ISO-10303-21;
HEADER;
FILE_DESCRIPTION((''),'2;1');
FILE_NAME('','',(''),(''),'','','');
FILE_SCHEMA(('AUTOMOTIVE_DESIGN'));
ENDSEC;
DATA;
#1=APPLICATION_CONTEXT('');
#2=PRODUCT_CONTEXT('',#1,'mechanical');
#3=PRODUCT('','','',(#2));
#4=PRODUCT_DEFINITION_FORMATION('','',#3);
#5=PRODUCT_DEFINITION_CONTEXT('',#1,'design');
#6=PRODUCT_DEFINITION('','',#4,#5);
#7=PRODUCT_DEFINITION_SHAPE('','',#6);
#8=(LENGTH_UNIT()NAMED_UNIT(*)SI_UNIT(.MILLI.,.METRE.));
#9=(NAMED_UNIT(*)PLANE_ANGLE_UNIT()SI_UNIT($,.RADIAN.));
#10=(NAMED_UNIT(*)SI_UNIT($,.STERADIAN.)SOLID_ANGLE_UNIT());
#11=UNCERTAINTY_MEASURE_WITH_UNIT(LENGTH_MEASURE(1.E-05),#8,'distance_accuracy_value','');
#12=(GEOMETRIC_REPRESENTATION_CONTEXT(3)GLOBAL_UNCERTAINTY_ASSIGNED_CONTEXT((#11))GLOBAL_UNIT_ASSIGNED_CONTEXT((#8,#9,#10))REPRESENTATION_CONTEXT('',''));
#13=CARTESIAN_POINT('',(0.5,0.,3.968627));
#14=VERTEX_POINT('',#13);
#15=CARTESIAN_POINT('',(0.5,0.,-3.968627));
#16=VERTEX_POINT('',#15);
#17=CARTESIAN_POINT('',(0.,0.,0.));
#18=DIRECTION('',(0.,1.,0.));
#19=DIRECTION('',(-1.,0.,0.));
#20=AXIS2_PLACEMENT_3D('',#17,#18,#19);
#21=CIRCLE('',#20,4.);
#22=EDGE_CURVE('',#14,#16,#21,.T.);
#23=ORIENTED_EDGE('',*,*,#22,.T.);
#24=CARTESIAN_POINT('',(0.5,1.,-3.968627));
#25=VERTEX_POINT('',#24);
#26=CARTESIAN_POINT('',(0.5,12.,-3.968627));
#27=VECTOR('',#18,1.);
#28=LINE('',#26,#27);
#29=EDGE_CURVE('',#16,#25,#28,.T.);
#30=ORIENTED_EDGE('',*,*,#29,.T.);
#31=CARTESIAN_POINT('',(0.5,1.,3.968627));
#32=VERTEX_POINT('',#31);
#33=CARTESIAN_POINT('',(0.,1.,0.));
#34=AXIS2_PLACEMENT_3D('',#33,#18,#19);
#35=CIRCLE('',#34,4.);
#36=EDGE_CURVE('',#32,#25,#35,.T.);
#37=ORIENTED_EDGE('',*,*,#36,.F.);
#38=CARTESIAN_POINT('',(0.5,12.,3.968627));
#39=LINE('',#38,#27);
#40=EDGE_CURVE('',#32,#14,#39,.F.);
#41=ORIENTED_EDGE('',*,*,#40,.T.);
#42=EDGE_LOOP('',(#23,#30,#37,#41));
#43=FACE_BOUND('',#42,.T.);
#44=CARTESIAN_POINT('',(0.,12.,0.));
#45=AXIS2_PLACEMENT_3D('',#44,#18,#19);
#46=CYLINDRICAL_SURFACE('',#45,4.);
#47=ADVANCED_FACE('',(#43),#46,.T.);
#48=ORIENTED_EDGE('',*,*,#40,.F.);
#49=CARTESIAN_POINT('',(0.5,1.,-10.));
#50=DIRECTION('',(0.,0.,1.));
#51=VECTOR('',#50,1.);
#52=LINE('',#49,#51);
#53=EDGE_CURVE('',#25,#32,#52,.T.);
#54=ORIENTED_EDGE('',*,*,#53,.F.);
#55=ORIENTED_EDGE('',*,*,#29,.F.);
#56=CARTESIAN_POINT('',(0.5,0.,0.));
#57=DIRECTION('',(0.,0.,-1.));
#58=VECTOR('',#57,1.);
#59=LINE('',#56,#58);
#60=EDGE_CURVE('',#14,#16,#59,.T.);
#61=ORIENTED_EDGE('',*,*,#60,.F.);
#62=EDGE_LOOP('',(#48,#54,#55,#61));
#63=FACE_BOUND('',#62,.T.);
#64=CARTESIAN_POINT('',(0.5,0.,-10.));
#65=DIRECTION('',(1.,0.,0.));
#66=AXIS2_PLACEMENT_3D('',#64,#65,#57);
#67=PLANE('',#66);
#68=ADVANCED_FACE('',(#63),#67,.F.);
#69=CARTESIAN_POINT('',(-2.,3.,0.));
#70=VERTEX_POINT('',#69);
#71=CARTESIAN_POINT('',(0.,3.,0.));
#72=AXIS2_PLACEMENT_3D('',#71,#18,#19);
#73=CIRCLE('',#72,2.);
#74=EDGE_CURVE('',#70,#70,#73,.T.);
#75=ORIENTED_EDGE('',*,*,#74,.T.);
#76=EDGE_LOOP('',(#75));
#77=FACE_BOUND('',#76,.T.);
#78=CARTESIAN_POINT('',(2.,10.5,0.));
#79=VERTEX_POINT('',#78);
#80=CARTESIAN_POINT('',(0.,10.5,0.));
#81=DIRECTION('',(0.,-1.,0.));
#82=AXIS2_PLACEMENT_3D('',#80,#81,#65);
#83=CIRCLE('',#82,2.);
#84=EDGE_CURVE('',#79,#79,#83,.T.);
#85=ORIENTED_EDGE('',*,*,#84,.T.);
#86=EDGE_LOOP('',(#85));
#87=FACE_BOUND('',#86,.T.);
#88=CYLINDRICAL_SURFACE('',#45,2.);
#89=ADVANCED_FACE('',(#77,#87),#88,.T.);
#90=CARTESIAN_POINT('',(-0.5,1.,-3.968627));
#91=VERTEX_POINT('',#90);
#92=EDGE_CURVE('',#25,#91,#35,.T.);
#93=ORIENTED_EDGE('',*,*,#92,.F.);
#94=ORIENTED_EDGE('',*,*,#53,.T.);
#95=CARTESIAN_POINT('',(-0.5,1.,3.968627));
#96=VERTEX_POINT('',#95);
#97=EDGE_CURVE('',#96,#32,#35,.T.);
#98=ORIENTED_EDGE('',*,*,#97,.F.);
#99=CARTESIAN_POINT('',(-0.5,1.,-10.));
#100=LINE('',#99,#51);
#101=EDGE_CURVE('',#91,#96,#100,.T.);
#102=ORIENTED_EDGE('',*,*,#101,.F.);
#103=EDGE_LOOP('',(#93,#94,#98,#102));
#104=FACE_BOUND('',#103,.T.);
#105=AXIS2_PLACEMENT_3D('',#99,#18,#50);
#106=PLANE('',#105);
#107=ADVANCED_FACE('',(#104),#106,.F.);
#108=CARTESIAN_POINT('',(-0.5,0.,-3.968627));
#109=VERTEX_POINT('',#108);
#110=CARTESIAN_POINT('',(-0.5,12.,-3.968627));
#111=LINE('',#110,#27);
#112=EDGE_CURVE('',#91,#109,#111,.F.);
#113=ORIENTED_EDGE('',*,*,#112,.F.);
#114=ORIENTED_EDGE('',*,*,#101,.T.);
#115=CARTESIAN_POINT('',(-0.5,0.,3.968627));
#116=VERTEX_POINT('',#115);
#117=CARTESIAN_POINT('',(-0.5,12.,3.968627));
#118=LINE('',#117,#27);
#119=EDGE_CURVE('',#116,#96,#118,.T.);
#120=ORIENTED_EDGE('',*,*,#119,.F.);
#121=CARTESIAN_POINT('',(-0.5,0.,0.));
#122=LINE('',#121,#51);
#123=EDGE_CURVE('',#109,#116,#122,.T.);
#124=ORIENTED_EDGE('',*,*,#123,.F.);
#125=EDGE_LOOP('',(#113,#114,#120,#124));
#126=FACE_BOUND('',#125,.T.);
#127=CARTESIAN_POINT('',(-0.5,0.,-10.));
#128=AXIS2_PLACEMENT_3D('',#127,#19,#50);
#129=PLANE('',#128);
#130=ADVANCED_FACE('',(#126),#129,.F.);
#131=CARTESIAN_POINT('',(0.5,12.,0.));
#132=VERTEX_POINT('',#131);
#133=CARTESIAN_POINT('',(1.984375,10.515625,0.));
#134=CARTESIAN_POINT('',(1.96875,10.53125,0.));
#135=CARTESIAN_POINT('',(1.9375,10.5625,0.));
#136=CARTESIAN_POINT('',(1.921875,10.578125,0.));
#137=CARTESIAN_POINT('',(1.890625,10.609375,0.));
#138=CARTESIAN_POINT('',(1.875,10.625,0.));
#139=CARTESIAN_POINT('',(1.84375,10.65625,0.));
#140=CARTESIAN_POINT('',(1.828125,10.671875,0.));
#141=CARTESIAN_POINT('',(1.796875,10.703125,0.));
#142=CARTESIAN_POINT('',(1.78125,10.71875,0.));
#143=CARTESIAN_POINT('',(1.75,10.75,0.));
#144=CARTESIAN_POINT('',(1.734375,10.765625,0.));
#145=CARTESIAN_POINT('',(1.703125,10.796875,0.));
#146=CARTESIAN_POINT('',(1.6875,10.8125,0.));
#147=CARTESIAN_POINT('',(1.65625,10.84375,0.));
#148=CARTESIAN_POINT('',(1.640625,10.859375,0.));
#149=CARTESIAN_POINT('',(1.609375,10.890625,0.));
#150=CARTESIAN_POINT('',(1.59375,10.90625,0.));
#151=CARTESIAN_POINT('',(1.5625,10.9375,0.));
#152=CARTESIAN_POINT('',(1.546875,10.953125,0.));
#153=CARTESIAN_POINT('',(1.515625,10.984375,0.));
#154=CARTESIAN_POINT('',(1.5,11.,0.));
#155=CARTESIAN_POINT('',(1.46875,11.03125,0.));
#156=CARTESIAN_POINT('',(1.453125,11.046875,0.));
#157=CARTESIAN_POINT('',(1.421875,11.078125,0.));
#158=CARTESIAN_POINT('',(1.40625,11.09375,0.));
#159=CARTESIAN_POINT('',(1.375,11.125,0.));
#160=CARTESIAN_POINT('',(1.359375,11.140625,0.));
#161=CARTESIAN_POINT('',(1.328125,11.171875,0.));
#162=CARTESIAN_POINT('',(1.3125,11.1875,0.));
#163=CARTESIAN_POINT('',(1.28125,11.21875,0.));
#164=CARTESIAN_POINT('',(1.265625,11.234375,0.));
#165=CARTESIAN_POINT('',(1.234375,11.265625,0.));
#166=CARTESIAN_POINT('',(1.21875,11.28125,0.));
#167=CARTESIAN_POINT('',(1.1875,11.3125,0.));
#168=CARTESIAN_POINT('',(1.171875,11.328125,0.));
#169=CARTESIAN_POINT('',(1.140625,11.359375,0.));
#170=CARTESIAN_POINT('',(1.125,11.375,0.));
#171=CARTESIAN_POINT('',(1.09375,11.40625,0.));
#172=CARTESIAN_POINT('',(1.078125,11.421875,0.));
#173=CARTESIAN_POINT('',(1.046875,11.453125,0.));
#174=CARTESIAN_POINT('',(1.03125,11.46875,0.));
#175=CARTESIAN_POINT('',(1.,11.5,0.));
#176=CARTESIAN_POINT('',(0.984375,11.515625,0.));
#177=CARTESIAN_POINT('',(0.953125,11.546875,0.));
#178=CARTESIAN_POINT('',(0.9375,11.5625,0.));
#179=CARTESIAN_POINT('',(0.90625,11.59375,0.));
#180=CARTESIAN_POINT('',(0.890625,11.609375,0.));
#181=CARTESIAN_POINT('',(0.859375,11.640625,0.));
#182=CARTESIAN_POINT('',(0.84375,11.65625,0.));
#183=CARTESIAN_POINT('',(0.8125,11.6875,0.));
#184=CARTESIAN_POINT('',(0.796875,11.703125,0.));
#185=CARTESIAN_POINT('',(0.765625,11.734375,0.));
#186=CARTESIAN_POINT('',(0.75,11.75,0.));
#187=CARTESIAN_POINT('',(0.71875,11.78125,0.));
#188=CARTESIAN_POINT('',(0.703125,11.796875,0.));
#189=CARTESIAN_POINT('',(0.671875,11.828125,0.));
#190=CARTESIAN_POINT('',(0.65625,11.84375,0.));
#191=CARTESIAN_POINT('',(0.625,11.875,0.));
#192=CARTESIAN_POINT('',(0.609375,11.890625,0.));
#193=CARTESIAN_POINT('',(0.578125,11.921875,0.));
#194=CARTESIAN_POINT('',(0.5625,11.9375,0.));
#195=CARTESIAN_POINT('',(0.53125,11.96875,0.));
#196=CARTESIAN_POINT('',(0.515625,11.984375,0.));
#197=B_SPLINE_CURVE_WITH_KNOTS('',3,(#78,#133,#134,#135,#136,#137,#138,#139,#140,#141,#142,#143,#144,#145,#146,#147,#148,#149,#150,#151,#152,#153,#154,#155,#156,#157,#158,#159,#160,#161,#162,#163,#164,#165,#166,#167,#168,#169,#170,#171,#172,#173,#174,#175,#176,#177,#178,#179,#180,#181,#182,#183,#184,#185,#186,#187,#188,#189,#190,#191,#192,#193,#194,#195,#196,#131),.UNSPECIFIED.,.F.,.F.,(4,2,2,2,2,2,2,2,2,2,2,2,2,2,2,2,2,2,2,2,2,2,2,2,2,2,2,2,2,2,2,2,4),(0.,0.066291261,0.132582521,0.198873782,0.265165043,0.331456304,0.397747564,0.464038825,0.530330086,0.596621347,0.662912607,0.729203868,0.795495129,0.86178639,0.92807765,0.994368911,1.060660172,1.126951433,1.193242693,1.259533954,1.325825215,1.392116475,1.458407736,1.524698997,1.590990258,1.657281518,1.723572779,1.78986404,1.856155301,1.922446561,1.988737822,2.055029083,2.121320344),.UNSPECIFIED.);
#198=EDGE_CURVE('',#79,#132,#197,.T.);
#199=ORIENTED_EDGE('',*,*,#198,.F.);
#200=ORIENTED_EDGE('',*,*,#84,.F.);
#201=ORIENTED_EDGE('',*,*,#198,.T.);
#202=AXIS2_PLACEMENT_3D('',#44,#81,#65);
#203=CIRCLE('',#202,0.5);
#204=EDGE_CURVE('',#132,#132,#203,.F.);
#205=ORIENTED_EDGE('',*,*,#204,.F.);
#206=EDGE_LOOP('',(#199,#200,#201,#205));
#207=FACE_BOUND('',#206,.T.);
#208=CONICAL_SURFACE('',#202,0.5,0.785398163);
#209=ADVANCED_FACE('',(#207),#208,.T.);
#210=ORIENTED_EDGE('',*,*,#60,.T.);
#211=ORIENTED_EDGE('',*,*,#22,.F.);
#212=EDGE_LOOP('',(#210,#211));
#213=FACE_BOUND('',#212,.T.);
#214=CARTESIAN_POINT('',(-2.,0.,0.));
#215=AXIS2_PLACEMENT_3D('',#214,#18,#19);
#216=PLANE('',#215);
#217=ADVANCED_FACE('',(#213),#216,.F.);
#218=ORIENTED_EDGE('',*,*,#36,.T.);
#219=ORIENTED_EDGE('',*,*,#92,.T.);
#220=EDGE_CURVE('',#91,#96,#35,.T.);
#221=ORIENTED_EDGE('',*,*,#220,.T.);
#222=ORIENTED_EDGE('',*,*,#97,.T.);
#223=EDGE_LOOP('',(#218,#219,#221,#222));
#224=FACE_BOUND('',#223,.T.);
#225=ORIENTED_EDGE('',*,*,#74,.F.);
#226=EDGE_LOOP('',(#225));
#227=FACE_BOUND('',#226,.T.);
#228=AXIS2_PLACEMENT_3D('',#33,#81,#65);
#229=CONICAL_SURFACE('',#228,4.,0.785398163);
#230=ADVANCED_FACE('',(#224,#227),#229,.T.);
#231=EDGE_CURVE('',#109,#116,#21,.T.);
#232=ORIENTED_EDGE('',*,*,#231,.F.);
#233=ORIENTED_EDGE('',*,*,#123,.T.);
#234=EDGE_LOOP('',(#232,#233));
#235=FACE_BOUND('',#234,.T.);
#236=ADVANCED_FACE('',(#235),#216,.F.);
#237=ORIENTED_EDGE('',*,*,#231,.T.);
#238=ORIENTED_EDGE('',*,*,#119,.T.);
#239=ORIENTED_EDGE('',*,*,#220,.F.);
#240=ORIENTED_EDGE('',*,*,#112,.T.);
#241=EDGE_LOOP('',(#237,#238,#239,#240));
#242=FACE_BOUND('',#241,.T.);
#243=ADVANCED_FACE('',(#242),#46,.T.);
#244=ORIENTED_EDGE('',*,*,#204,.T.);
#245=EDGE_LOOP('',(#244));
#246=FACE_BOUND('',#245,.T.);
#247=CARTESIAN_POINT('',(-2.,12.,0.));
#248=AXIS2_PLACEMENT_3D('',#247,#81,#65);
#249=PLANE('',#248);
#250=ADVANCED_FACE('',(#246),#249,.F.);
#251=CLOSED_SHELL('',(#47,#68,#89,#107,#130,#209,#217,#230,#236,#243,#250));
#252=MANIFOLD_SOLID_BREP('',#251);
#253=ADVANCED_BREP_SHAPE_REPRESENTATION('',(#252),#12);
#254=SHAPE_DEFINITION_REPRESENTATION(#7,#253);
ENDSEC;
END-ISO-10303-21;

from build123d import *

# Parameters (mm, degrees)
SKETCH_1_W          = 2
SKETCH_1_H          = 9
SKETCH_2_W          = 1
SKETCH_2_H          = 1
CUT_EXTRUDE_1_DEPTH = 10
CHAMFER_1_SIZE      = 1.5


with BuildPart() as part:
    # Эскиз1 → Повернуть1 (revolve)
    with BuildSketch(Plane.XY):
        with Locations((-1, 7.5)):
            Rectangle(SKETCH_1_W, SKETCH_1_H)
        Polygon((-4, 0), (0, 0), (0, 3), (-2, 3), (-4, 1), align=None)
    revolve(axis=Axis((0, 12, 0), (0, -1, 0)))

    # Эскиз2 → Вырез-Вытянуть1 (cut, symmetric)
    with BuildSketch(Plane.XY):
        with Locations((0, 0.5)):
            Rectangle(SKETCH_2_W, SKETCH_2_H)
    extrude(amount=CUT_EXTRUDE_1_DEPTH, both=True, mode=Mode.SUBTRACT)

    # Фаска1
    chamfer_1_edges = [part.edges().sort_by_distance(p)[0] for p in [
        (2, 12, 0),
    ]]
    chamfer(chamfer_1_edges, length=CHAMFER_1_SIZE)


solid = part.part
